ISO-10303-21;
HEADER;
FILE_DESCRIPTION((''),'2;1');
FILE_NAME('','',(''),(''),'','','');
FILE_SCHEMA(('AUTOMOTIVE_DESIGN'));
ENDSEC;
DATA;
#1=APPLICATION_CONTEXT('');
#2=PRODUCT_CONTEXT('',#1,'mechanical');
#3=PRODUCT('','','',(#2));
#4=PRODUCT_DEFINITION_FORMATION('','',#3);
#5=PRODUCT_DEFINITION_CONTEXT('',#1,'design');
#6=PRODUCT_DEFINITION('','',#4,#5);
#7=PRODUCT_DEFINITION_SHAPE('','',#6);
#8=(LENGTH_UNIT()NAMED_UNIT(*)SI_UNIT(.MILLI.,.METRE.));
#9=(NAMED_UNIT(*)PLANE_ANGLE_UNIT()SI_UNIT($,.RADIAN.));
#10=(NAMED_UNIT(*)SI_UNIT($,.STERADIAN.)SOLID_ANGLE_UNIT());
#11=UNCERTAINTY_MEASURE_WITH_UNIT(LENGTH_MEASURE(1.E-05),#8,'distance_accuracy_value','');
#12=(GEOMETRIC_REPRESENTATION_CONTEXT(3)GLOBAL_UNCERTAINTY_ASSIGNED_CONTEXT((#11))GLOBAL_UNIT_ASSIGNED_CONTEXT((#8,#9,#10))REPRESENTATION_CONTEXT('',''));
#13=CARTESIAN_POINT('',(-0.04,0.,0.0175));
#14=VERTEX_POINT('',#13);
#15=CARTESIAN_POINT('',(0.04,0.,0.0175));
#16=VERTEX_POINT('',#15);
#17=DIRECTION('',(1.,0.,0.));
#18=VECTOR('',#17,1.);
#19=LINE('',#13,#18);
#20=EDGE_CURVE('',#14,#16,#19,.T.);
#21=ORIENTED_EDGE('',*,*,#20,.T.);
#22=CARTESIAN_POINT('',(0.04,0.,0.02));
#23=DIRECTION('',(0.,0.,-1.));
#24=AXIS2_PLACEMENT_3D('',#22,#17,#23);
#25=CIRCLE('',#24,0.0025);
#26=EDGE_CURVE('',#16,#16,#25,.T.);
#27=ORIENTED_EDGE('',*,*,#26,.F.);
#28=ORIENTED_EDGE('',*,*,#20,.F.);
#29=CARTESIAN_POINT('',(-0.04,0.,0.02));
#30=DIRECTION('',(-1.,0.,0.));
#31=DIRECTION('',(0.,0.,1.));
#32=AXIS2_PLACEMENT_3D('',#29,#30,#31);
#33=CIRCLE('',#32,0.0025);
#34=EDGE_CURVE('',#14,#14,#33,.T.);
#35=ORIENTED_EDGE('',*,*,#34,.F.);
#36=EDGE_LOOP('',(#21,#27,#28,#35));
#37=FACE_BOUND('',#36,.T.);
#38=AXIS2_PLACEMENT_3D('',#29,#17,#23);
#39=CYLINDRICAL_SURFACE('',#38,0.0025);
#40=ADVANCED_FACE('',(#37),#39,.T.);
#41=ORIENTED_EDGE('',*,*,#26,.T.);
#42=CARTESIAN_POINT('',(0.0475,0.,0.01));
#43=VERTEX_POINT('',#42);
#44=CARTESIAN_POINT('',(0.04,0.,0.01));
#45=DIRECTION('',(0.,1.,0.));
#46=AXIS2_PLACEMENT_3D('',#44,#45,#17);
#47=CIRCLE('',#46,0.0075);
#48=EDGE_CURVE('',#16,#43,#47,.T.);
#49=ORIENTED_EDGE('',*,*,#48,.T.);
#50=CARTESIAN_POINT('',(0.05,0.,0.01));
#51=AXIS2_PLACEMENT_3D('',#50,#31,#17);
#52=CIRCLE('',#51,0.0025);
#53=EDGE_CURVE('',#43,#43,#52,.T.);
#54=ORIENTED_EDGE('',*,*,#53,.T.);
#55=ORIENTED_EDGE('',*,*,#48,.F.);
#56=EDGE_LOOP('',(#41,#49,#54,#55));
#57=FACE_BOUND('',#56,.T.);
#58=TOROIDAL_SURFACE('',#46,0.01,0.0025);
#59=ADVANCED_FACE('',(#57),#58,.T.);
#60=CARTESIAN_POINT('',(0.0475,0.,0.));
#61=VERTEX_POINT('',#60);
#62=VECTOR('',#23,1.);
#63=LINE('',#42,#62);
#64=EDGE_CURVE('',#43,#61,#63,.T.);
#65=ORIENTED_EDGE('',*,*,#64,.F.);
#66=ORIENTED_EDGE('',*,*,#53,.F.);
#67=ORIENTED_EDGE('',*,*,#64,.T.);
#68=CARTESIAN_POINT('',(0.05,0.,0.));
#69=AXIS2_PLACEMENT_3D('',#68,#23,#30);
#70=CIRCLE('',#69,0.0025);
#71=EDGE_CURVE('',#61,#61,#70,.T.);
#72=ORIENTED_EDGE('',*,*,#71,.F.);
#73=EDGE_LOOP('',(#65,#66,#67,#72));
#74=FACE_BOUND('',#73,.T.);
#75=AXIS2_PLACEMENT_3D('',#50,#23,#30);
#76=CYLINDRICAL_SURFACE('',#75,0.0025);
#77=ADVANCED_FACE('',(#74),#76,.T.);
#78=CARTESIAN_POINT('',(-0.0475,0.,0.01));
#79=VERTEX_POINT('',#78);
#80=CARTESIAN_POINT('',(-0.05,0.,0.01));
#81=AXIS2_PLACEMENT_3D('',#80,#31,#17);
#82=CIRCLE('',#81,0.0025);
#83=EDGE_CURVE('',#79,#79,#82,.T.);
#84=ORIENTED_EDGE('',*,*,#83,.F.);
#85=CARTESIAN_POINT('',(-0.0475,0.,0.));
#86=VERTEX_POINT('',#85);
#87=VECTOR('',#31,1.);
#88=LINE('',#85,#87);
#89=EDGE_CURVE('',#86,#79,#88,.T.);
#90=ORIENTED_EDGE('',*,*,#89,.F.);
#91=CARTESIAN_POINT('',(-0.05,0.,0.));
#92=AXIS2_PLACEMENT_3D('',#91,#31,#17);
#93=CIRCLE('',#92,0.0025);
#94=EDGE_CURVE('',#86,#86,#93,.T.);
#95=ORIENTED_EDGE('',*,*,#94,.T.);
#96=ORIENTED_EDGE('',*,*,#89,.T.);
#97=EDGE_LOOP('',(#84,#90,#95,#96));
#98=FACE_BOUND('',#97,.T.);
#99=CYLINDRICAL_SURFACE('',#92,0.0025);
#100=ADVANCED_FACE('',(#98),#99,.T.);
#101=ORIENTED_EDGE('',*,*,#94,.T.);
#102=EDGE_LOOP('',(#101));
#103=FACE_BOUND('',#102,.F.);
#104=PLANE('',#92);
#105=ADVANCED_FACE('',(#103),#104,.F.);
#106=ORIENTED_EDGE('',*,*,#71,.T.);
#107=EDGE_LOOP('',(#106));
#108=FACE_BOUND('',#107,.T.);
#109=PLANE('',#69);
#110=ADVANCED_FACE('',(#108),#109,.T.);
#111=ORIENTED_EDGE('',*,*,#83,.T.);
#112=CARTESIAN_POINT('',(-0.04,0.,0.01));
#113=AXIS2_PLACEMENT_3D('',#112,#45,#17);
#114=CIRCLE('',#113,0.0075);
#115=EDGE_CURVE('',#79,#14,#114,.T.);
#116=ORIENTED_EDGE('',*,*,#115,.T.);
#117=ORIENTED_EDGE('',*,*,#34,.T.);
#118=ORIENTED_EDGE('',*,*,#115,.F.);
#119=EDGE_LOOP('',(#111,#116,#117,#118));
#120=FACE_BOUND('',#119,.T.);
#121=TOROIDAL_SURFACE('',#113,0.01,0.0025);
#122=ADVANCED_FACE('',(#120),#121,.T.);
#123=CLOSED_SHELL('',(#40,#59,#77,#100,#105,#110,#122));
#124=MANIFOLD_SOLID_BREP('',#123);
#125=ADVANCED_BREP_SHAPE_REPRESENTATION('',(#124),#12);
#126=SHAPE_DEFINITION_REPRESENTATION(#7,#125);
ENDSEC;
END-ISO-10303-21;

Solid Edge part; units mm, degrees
sketch "Sketch1" plane through (0, 0, 0) normal (0, -1, 0) x (1, 0, 0)
  line L0 (0.05, 0.01) -> (0.05, 0)
  arc A0 (0.04, 0.02) -> (0.05, 0.01) centre (0.04, 0.01) cw
  line L1 (-0.04, 0.02) -> (0.04, 0.02)
  arc A1 (-0.05, 0.01) -> (-0.04, 0.02) centre (-0.04, 0.01) cw
  line L2 (-0.05, 0) -> (-0.05, 0.01)
  dimension "D1" = 0.02
  dimension "D2" = 0.1
sketch "Sketch2" plane through (0, 0, 0) normal (0, 0, 1) x (1, 0, 0)
  circle A0 centre (-0.05, 0) radius 0.0025
  dimension "D1" = 0.005
  dimension "D2" = 0.05
sweep "SweptProtrusion1" add profiles "Sketch2" path "Sketch1"
